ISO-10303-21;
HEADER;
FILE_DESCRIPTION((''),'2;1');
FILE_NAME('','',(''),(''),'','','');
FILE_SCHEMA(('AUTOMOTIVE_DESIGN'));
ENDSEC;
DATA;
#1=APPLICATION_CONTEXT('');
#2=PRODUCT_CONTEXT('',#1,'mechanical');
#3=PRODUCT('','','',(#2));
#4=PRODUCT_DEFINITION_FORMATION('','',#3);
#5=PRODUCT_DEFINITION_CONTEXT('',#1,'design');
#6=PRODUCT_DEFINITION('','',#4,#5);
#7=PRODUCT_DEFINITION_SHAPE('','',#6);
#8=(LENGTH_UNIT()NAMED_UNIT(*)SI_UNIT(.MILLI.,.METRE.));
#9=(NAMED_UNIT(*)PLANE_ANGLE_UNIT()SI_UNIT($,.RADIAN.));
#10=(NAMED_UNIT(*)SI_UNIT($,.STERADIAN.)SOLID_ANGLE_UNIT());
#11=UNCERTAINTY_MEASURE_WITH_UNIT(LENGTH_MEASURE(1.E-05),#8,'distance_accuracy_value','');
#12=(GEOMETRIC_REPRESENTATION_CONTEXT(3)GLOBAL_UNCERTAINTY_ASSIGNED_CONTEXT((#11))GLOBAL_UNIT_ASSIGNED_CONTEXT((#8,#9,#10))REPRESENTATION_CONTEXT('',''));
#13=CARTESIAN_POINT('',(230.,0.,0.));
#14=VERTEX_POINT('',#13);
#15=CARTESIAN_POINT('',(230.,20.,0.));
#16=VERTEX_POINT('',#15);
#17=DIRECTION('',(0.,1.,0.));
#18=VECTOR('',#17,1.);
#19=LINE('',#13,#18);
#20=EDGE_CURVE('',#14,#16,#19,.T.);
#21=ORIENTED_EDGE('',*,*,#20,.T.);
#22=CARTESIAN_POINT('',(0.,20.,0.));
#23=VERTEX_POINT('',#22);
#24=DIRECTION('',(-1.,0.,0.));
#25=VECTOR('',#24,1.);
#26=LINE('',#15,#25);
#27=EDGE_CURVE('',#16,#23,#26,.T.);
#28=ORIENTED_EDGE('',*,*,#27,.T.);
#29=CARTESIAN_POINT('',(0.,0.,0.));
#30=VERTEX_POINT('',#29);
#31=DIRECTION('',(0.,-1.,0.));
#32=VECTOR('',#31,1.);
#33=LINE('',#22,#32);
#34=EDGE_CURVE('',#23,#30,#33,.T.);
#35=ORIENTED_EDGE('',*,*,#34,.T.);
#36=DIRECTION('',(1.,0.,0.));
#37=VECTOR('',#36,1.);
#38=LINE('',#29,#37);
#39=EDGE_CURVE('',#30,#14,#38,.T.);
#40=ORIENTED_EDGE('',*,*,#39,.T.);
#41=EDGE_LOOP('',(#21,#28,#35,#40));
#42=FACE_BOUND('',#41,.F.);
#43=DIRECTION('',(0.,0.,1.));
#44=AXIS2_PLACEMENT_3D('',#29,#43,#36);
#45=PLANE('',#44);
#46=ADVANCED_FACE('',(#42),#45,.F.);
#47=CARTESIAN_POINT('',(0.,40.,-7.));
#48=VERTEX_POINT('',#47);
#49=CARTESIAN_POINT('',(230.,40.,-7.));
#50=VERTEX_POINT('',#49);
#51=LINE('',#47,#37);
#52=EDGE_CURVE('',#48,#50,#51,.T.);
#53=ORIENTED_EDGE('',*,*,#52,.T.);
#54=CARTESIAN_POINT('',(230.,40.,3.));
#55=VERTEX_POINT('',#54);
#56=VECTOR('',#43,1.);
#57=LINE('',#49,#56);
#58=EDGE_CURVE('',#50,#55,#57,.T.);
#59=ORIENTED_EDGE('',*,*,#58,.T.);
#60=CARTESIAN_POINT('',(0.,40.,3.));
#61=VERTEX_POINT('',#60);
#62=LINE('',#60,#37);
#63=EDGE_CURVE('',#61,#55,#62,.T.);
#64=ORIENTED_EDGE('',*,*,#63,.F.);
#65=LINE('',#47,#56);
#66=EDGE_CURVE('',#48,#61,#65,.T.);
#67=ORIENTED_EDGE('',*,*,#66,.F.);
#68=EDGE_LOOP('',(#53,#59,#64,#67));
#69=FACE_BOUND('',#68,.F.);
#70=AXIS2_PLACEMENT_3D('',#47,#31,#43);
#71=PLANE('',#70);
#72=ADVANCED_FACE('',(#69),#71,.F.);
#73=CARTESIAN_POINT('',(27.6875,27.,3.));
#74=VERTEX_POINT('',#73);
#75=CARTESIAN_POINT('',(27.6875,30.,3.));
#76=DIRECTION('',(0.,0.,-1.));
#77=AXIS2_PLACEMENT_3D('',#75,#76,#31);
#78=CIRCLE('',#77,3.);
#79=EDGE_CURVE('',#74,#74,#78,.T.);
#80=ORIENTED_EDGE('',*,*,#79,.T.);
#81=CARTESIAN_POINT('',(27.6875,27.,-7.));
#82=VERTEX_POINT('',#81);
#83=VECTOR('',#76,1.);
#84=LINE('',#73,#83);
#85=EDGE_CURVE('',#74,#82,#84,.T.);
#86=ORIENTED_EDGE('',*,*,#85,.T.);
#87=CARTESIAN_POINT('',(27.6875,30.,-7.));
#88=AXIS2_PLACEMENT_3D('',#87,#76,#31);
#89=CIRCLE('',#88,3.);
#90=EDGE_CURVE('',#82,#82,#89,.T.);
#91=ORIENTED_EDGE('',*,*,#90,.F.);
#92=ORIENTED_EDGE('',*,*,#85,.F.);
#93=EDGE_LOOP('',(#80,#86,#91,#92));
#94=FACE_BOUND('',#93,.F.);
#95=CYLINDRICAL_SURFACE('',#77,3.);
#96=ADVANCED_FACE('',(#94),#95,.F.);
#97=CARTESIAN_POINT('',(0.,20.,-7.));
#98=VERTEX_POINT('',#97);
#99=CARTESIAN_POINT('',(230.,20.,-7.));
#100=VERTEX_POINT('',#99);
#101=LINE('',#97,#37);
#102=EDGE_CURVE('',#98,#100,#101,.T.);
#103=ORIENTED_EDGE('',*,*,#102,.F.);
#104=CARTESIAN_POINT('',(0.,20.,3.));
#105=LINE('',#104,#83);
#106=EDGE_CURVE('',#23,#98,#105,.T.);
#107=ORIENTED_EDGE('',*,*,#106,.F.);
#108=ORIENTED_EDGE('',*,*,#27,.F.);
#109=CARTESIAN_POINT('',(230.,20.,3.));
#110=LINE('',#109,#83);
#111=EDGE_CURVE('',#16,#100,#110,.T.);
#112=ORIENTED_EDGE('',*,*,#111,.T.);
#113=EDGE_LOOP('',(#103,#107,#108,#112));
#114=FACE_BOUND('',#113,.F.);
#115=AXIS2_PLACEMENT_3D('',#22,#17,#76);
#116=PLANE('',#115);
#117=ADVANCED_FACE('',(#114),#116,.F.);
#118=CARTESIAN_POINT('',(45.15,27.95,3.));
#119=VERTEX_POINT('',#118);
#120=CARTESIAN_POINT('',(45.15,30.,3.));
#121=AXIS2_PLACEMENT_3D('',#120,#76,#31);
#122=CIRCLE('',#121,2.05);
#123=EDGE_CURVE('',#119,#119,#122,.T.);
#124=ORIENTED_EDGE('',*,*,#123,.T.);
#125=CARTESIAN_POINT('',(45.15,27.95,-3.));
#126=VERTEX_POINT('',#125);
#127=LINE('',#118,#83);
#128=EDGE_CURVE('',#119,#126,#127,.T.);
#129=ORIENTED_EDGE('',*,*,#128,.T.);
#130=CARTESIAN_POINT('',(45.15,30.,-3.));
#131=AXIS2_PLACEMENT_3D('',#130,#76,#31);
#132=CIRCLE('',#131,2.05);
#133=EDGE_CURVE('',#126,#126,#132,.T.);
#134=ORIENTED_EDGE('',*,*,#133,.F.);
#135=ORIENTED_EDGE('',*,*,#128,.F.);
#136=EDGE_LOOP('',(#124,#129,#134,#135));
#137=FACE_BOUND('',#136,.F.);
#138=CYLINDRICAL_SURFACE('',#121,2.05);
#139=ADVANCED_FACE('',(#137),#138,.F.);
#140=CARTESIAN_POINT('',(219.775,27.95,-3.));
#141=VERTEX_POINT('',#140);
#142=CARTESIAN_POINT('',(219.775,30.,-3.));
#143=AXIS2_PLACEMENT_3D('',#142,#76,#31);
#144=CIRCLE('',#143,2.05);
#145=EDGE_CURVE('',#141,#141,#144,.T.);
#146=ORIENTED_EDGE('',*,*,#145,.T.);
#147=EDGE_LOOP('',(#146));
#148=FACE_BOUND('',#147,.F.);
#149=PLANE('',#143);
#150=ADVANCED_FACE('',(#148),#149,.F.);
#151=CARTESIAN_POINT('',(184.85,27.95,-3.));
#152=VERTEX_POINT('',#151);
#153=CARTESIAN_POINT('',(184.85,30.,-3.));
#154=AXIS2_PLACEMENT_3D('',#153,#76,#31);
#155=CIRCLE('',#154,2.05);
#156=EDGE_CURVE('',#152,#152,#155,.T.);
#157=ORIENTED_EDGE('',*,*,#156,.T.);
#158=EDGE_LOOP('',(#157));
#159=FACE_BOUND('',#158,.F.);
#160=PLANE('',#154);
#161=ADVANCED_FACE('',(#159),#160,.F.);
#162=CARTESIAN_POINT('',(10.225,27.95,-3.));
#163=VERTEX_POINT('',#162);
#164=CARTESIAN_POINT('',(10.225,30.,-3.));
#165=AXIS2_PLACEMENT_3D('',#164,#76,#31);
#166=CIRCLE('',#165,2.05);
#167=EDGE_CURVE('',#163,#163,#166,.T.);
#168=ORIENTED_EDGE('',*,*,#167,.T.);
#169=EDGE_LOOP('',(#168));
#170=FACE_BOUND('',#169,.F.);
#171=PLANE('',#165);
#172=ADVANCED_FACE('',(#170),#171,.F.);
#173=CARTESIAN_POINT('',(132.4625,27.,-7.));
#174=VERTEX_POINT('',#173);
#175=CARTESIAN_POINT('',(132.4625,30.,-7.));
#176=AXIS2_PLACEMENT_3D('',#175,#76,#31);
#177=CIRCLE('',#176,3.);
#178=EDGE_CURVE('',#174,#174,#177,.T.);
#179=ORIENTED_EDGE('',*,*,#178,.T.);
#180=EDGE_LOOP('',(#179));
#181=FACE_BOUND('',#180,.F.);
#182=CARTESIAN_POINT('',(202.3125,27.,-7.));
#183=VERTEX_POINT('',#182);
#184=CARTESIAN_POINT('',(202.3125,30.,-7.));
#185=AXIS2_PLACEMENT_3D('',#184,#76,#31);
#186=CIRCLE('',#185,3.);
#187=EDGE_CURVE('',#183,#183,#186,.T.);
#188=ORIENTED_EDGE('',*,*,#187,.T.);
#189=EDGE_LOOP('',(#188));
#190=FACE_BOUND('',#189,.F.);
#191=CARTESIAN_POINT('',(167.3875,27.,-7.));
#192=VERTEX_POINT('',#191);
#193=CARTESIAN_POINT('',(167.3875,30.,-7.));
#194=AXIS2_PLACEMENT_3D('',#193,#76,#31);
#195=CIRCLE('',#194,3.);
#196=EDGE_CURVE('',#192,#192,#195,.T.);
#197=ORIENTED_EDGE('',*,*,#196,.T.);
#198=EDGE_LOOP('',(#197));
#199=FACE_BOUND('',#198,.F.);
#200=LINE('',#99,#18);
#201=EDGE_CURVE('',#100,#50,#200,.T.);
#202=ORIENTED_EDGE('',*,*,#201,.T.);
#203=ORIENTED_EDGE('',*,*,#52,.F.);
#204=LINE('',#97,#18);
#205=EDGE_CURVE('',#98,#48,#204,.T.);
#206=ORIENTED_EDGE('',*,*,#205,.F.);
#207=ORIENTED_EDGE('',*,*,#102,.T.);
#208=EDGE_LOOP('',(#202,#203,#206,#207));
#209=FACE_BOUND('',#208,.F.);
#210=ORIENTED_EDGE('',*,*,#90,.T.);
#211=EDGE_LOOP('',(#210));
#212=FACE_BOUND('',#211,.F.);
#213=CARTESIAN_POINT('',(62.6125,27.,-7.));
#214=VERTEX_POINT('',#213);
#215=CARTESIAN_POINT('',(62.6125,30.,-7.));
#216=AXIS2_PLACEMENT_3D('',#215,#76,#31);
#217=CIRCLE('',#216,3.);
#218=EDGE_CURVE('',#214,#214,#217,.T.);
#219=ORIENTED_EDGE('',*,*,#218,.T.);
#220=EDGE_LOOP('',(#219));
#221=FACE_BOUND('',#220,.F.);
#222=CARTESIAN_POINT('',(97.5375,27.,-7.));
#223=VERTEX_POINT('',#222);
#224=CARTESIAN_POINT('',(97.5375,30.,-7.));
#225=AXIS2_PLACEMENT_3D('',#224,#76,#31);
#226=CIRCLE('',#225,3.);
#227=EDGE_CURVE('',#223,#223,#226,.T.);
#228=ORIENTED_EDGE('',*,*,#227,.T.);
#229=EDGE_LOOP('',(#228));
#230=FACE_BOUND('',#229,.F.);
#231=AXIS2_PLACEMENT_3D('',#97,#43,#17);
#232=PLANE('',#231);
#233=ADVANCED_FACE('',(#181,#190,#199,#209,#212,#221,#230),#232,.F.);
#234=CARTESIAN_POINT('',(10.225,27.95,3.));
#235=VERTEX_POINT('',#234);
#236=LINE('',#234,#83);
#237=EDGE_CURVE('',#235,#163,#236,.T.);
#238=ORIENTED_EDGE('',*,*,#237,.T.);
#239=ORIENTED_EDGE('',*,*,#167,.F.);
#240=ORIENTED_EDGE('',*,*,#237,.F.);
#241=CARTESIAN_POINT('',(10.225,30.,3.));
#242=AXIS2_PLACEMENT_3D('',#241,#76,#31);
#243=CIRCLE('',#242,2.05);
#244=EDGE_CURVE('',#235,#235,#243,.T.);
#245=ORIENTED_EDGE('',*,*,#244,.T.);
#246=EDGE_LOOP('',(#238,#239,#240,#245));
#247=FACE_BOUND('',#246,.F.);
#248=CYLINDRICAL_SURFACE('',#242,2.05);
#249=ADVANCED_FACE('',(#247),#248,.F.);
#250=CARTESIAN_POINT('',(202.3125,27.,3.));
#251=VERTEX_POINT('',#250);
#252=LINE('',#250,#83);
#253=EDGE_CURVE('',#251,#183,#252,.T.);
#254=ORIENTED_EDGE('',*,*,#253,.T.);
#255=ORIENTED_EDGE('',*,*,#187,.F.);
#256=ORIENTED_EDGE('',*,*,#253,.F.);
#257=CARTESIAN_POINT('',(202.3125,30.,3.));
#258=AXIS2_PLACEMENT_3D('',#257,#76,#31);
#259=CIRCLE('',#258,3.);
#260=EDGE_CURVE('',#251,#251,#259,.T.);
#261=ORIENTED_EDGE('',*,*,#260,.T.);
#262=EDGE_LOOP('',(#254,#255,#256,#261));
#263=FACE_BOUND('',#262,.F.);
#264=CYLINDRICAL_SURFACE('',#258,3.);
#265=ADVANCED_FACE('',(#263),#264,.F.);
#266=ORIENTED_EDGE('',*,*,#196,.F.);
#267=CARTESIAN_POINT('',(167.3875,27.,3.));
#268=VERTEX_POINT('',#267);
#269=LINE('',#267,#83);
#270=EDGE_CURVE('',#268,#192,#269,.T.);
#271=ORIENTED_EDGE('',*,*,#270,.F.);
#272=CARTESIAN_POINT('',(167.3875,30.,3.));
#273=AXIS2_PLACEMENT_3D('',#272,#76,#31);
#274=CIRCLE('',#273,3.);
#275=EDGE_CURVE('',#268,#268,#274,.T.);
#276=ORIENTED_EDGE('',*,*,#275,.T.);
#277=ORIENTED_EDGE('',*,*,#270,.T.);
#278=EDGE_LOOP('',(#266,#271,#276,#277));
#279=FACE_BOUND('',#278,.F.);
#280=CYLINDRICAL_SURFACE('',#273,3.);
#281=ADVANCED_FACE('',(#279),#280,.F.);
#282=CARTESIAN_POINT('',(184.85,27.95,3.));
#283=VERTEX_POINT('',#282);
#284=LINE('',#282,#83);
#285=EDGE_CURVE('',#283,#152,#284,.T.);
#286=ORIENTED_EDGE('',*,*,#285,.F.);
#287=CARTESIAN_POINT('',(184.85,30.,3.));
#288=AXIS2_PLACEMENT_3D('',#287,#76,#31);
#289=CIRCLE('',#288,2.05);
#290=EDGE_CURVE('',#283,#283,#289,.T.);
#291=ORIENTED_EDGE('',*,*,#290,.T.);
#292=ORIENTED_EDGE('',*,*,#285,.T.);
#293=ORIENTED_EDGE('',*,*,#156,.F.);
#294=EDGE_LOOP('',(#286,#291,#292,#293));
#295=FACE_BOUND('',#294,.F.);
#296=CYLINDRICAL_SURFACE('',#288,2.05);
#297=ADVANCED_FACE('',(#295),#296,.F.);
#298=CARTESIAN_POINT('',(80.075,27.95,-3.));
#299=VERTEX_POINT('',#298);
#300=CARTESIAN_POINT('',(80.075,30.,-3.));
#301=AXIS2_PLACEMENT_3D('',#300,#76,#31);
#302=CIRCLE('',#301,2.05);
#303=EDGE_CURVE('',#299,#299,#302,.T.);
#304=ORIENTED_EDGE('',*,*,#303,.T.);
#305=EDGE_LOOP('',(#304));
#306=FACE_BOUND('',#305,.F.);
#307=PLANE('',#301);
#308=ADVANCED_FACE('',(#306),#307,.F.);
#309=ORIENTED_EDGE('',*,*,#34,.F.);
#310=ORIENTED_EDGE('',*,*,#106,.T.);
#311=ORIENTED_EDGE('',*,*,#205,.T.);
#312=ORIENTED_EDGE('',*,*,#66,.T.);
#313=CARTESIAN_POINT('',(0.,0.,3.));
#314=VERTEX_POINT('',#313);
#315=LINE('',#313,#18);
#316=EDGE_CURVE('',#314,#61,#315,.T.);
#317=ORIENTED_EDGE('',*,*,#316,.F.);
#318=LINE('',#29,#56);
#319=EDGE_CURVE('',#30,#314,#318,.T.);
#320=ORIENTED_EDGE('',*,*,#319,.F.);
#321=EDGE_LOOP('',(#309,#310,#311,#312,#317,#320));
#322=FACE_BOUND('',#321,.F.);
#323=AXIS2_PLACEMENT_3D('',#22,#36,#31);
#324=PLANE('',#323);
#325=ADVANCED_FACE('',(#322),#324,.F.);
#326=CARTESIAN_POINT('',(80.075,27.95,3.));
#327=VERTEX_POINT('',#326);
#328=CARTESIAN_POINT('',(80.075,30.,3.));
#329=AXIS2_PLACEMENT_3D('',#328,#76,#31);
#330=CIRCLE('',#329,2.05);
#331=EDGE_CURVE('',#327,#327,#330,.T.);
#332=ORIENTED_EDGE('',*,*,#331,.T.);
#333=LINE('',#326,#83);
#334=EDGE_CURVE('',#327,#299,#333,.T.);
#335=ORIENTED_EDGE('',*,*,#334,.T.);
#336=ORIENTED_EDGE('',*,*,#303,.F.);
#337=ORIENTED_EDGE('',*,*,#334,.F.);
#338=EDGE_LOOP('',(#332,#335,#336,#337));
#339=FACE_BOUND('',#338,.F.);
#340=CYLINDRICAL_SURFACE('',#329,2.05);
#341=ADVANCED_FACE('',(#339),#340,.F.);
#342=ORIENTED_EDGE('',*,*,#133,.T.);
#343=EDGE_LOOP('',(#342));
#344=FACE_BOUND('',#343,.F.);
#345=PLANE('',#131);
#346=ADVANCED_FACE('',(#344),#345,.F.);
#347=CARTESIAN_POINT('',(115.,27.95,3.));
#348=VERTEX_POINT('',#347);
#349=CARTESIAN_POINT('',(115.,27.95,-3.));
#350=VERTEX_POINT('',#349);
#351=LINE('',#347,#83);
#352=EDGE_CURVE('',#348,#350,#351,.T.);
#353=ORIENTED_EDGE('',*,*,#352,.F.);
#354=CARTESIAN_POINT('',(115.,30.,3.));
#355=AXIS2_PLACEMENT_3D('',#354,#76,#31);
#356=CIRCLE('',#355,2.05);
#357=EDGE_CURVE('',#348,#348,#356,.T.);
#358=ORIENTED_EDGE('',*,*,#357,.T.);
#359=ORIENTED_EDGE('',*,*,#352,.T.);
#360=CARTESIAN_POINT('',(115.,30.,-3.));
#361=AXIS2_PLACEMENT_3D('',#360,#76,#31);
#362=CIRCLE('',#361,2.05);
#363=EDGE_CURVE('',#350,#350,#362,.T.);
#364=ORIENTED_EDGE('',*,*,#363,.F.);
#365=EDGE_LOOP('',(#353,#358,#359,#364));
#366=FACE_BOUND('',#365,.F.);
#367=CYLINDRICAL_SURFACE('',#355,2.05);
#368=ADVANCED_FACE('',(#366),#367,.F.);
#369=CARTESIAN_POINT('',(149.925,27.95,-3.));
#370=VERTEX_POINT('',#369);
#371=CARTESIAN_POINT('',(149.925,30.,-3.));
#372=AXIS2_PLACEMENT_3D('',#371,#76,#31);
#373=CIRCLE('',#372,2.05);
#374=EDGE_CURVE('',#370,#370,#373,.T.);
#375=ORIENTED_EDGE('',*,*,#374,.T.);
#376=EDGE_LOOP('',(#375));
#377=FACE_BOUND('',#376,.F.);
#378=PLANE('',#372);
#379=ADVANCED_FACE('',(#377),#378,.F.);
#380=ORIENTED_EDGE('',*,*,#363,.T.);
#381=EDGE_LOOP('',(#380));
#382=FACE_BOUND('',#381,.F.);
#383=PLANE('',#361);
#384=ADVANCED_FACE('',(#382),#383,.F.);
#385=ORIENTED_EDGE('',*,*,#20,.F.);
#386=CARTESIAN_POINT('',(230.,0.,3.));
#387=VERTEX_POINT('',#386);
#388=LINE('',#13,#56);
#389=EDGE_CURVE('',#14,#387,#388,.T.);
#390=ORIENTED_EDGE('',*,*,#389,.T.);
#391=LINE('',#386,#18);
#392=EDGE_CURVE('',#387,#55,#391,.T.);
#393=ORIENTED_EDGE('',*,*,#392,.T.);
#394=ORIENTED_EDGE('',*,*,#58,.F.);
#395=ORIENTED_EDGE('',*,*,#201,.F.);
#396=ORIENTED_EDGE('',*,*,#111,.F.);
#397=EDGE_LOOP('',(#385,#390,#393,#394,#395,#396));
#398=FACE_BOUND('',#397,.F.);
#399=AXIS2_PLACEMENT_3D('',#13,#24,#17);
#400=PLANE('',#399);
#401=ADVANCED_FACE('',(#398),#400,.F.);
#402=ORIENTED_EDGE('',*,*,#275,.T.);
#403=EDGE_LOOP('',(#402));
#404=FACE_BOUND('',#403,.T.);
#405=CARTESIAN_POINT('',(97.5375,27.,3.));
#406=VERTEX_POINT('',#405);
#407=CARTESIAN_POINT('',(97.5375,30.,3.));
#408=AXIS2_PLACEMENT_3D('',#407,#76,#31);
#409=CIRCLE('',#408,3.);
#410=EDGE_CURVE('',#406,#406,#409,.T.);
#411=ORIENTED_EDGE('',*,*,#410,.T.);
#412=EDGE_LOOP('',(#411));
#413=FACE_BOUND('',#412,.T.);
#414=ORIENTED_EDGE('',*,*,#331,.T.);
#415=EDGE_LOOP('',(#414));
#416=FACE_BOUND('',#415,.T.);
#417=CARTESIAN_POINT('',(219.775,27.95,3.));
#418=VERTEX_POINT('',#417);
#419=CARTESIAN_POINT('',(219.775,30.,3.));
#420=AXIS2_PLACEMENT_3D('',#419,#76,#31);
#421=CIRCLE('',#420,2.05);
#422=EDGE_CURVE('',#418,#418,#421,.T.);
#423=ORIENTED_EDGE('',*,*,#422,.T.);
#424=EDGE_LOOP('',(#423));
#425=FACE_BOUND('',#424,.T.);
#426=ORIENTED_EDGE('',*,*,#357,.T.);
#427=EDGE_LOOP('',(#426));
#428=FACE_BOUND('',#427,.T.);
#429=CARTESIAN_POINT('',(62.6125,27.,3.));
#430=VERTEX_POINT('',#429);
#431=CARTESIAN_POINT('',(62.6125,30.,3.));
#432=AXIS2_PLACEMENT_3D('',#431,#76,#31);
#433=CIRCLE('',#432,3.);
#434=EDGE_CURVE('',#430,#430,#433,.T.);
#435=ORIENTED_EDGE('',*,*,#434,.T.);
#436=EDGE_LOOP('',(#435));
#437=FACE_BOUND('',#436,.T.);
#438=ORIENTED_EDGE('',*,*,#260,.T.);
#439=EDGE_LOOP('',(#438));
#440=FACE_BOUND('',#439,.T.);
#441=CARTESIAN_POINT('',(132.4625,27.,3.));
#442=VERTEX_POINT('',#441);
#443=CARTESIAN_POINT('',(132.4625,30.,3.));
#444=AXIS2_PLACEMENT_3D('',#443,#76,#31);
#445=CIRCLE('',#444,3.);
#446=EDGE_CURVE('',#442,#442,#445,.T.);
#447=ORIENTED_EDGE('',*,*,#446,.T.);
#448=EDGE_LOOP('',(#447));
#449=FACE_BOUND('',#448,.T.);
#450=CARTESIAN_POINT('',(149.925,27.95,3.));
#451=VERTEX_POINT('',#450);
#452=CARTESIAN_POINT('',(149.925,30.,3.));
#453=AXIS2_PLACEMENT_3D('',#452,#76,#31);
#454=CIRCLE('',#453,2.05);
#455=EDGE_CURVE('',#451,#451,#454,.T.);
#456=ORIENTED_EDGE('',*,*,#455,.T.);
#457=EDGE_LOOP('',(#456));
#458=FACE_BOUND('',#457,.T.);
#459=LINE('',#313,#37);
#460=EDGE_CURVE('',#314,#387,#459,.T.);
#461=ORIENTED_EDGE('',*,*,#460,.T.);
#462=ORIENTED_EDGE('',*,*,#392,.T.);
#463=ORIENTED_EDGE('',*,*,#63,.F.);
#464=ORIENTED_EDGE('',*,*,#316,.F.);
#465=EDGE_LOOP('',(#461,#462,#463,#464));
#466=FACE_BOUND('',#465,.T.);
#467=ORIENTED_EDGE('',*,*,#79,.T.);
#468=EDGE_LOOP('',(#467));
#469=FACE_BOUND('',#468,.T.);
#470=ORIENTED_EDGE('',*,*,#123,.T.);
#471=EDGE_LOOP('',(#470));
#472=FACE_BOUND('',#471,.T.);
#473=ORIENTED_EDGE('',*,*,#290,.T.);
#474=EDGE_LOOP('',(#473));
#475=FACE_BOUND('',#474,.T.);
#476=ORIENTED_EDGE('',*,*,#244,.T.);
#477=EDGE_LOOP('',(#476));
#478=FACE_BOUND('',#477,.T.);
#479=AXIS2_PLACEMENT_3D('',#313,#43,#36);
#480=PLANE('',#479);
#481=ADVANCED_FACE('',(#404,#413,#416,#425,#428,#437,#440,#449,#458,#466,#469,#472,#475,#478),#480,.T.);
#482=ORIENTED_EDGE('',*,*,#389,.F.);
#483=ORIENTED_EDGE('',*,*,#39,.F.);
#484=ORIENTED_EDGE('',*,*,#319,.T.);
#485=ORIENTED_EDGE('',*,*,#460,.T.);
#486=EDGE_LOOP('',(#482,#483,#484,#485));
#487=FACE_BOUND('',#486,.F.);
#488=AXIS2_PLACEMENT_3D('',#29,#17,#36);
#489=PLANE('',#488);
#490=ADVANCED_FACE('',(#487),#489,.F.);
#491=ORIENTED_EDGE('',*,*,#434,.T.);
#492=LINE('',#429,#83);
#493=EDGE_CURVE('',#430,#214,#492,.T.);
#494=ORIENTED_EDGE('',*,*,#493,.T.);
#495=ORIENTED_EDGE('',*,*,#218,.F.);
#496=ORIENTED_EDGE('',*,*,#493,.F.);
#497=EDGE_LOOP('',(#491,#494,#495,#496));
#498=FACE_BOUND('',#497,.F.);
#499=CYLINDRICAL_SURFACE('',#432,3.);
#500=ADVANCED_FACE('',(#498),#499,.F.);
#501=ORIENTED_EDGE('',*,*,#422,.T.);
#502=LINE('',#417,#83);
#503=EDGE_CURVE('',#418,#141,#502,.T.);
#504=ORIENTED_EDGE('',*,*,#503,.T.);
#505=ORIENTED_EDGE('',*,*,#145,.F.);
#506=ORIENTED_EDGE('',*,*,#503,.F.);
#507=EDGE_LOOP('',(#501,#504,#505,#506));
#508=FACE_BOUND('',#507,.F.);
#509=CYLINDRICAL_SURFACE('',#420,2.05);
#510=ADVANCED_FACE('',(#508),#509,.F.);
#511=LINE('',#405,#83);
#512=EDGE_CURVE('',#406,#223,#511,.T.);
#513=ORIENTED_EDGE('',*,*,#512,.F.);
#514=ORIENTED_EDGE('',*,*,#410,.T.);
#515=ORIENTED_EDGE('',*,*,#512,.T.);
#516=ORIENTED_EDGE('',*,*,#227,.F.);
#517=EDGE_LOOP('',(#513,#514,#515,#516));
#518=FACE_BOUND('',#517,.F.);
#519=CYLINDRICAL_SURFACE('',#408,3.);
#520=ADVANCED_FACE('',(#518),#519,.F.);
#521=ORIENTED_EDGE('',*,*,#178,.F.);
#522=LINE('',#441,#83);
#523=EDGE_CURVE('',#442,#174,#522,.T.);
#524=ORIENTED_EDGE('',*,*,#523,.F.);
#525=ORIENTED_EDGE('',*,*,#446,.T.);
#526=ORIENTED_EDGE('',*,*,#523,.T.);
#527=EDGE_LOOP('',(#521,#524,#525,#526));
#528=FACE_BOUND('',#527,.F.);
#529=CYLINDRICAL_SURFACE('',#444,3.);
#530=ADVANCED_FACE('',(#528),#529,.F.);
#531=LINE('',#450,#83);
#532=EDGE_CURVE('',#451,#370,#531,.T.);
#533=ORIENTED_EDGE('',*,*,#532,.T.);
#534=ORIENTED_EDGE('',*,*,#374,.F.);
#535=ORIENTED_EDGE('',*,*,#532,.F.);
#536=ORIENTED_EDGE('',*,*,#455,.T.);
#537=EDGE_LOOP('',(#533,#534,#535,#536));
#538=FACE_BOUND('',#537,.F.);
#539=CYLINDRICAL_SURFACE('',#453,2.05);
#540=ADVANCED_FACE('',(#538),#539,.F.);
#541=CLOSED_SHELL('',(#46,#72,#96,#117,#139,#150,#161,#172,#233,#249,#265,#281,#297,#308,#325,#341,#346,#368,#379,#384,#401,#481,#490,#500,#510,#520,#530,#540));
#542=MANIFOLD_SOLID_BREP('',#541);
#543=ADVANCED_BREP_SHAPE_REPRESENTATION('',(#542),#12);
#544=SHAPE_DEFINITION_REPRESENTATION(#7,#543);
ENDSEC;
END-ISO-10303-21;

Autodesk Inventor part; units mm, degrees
ref_plane "YZ Plane" through (0, 0, 0) normal (1, 0, 0) x (0, 1, 0)
ref_plane "XZ Plane" through (0, 0, 0) normal (0, 1, 0) x (-1, 0, 0)
ref_plane "XY Plane" through (0, 0, 0) normal (0, 0, 1) x (1, 0, 0)
sketch "Sketch1" plane through (0, 0, 0) normal (0, 0, 1) x (1, 0, 0)
  line L0 (0, 0) -> (230, 0)
  line L1 (230, 0) -> (230, 20)
  line L2 (230, 20) -> (0, 20)
  line L3 (0, 20) -> (0, 0)
  dimension "d0" = 230
  dimension "d1" = 20
extrude "Extrusion1" add sketch "Sketch1" along normal blind 3
sketch "Sketch2" plane through (0, 0, 3) normal (0, 0, -1) x (-1, 0, 0)
  line L0 (0, 0) -> (-230, 0) projected
  line L1 (-12.5251, -24.7625) -> (-37.9251, -24.7625) projected
  line L2 (-230, 20) -> (0, 20) projected
  point P0 (-10.225, 30)
  dimension "d62" = 10
  dimension "d73" = 10.225
sketch "Sketch5" plane through (0, 0, 0) normal (-1, 0, 0) x (0, 0, 1)
  line L0 (0, 20) -> (3, 20) projected
  line L1 (3, 20) -> (-7, 20)
  line L2 (-7, 20) -> (-7, 40)
  line L3 (-7, 40) -> (3, 40)
  line L4 (3, 40) -> (3, 20)
  point P0 (0, 0)
  point P1 (3, 30)
  point P2 (1.5, 20)
  point P3 (0, 20)
  dimension "d31" = 10
  dimension "d32" = 20
extrude "Extrusion3" add sketch "Sketch5" against normal up to surface (230 mm away)
hole "Hole3" at (10.225, 30, 3) direction (0, 0, -1) diameter 4.1 depth 6
sketch "Sketch6" plane through (0, 0, 3) normal (0, 0, 1) x (1, 0, 0)
  line L0 (0, 0) -> (0, 40) projected
  line L1 (230, 0) -> (230, 40) projected
  line L2 (0, 40) -> (230, 40) projected
  point P0 (27.6875, 30)
  dimension "d35" = 27.6875
  dimension "d51" = 10
hole "Hole2" at (27.6875, 30, 3) direction (0, 0, -1) diameter 6 end through all
pattern_linear "Rectangular Pattern2" count 6 spacing 34.925 along (1, 0, 0) of "Hole2"
pattern_linear "Rectangular Pattern3" count 7 spacing 34.925 along (1, 0, 0) of "Hole3"
sketch "Sketch7" plane through (0, 0, 0) normal (-1, 0, 0) x (0, 0, 1)
  line L0 (0, 0) -> (3, 0) projected
  line L1 (0, 0) -> (3.6796, 0)
  line L2 (3.6796, 0) -> (3.6796, 5)
  line L3 (3.6796, 5) -> (0, 5)
  line L4 (0, 5) -> (0, 0)
  dimension "d66" = 5
properties part number "IR_Mount_Plate_3DPrint"
